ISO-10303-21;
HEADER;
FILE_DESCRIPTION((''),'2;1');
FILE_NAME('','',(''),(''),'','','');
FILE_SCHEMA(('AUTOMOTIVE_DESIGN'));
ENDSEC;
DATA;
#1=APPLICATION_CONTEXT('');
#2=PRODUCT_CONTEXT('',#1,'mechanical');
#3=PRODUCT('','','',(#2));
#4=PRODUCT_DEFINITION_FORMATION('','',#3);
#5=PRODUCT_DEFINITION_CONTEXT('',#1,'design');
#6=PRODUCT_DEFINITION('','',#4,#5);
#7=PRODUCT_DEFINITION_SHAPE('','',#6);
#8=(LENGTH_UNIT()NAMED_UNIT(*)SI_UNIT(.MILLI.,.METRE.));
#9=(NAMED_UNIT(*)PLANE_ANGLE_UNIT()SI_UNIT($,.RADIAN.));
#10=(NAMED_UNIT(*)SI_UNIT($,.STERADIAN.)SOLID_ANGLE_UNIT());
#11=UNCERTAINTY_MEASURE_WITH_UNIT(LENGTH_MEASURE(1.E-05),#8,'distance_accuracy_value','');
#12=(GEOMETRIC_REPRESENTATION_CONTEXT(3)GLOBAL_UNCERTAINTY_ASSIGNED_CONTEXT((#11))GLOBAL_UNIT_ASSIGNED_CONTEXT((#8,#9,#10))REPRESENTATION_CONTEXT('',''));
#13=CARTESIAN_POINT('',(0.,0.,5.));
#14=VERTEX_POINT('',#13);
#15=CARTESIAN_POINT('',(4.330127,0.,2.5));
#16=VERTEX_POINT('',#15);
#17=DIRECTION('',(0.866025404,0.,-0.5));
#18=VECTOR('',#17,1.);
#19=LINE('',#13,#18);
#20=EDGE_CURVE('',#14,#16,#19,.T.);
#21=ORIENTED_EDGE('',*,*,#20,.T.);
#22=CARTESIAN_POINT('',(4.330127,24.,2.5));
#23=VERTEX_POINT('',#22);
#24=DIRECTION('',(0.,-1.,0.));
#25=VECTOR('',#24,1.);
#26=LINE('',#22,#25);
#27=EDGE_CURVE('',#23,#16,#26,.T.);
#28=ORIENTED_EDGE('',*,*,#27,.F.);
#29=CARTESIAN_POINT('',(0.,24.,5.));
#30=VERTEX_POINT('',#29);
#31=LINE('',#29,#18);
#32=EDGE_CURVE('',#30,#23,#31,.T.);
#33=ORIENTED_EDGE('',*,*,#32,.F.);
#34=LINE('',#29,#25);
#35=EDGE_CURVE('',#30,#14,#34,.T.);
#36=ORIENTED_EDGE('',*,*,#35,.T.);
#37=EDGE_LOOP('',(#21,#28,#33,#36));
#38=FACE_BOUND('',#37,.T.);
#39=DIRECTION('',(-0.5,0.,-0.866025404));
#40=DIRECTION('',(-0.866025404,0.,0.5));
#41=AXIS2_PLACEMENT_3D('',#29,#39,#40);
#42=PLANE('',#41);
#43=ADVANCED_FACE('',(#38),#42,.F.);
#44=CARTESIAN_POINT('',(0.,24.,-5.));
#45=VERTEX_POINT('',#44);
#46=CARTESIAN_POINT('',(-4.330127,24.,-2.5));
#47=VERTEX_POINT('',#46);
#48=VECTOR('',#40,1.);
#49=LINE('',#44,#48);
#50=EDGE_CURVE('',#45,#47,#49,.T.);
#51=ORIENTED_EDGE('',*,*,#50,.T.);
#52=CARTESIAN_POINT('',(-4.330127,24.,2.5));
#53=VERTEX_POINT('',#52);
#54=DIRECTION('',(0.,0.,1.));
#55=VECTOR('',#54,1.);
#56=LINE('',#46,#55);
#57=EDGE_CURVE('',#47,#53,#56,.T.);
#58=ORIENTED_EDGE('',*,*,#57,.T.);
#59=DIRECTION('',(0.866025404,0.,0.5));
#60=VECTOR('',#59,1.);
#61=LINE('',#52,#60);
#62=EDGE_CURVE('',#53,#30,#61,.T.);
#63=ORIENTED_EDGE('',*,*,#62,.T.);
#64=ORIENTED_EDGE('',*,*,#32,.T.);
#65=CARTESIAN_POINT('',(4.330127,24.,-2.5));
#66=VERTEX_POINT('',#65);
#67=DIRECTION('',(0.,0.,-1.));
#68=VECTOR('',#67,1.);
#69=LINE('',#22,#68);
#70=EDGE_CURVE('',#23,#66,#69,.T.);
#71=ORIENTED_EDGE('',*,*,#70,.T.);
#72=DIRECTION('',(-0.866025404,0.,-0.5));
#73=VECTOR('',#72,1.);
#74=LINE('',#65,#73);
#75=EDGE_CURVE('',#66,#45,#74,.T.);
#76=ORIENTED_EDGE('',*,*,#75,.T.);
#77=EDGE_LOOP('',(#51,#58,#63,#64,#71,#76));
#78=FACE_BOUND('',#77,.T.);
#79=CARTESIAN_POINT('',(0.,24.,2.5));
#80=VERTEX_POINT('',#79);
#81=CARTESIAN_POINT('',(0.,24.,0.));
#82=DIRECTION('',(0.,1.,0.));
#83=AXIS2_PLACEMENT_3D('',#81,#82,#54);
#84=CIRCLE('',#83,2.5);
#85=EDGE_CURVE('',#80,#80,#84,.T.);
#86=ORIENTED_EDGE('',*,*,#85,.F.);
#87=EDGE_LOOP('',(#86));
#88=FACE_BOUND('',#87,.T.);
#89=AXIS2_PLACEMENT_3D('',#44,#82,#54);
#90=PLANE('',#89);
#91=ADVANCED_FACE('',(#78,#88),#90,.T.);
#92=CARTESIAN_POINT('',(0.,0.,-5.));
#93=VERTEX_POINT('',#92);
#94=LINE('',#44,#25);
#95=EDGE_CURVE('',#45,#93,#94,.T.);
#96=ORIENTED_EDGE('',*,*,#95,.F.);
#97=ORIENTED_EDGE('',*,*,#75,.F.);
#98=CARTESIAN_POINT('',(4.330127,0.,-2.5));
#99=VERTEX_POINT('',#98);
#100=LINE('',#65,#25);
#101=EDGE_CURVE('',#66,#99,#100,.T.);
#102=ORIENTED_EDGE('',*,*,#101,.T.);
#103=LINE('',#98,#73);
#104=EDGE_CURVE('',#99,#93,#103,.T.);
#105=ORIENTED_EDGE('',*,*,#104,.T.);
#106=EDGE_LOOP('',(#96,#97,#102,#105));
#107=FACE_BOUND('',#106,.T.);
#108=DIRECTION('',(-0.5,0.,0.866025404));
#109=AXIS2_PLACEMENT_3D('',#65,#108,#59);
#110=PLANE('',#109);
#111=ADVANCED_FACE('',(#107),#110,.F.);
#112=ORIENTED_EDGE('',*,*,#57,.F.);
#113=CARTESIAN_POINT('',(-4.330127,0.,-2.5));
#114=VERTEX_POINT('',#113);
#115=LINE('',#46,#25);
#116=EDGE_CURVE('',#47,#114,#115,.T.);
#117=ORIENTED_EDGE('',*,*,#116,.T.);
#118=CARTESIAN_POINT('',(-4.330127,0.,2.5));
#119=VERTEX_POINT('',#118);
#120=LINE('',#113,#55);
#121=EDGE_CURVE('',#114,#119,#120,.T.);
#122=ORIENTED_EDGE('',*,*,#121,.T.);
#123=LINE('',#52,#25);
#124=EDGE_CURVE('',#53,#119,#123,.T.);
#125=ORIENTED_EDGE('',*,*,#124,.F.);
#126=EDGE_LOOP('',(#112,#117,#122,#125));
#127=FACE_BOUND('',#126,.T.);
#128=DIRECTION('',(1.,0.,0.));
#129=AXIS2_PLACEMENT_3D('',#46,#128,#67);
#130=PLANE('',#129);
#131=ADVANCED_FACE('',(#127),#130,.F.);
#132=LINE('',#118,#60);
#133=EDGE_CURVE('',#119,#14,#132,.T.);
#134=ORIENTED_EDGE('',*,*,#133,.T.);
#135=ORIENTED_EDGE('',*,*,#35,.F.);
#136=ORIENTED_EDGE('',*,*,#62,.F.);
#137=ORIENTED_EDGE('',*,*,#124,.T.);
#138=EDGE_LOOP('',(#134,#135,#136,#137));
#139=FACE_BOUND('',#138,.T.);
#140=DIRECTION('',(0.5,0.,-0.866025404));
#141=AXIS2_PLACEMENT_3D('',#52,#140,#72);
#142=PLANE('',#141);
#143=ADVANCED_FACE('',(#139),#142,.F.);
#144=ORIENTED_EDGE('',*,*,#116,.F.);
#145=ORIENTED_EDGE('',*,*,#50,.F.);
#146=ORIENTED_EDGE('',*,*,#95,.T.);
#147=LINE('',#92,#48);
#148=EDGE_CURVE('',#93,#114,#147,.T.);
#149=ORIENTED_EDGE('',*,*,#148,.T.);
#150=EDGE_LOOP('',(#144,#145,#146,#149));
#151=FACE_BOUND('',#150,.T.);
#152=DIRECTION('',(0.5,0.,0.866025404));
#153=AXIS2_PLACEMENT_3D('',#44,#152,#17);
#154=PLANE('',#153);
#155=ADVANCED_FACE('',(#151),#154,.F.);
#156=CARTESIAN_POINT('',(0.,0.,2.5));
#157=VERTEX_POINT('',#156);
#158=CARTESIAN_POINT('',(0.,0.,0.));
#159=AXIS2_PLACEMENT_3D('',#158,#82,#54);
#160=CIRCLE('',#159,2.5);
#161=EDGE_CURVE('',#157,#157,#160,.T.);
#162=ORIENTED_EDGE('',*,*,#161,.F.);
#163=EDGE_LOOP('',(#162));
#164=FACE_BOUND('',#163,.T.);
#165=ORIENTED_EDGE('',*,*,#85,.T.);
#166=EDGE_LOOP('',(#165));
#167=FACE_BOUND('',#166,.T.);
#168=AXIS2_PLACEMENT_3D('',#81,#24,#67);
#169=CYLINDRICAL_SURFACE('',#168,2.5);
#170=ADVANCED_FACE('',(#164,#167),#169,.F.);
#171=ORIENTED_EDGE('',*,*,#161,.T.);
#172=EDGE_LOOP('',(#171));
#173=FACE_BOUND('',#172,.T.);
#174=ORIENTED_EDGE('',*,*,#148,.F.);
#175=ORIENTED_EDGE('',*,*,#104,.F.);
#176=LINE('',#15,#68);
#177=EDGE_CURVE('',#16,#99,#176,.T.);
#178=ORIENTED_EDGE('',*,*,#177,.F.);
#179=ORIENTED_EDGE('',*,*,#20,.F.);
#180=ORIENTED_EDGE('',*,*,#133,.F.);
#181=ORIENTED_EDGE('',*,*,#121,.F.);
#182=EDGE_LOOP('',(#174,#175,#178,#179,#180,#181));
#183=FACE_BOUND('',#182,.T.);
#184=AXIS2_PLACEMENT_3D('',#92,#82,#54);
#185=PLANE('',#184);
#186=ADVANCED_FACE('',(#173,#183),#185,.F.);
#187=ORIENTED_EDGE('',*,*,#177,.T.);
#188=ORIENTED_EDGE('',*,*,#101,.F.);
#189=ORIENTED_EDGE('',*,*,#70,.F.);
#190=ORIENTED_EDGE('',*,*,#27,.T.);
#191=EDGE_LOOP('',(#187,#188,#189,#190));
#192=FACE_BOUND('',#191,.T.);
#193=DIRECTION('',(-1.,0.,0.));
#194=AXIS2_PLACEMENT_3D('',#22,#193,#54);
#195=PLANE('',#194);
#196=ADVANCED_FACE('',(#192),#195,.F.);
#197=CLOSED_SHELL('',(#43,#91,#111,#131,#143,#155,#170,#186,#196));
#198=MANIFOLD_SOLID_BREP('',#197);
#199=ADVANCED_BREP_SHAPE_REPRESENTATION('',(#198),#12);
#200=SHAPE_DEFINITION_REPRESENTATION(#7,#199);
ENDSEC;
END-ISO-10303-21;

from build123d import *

# Parameters (mm, degrees)
ESQUISSE1_R      = 2.5
EXTRUSION1_DEPTH = 24


with BuildPart() as part:
    # Esquisse1 → Extrusion1 (new body)
    with BuildSketch(Plane(origin=(0, 0, 0), x_dir=(1, 0, 0), z_dir=(0, 1, 0))):
        Polygon((0, 5), (-4.330127019, 2.5), (-4.330127019, -2.5), (0, -5), (4.330127019, -2.5), (4.330127019, 2.5), align=None)
        Circle(ESQUISSE1_R, mode=Mode.SUBTRACT)
    extrude(amount=EXTRUSION1_DEPTH)


solid = part.part
